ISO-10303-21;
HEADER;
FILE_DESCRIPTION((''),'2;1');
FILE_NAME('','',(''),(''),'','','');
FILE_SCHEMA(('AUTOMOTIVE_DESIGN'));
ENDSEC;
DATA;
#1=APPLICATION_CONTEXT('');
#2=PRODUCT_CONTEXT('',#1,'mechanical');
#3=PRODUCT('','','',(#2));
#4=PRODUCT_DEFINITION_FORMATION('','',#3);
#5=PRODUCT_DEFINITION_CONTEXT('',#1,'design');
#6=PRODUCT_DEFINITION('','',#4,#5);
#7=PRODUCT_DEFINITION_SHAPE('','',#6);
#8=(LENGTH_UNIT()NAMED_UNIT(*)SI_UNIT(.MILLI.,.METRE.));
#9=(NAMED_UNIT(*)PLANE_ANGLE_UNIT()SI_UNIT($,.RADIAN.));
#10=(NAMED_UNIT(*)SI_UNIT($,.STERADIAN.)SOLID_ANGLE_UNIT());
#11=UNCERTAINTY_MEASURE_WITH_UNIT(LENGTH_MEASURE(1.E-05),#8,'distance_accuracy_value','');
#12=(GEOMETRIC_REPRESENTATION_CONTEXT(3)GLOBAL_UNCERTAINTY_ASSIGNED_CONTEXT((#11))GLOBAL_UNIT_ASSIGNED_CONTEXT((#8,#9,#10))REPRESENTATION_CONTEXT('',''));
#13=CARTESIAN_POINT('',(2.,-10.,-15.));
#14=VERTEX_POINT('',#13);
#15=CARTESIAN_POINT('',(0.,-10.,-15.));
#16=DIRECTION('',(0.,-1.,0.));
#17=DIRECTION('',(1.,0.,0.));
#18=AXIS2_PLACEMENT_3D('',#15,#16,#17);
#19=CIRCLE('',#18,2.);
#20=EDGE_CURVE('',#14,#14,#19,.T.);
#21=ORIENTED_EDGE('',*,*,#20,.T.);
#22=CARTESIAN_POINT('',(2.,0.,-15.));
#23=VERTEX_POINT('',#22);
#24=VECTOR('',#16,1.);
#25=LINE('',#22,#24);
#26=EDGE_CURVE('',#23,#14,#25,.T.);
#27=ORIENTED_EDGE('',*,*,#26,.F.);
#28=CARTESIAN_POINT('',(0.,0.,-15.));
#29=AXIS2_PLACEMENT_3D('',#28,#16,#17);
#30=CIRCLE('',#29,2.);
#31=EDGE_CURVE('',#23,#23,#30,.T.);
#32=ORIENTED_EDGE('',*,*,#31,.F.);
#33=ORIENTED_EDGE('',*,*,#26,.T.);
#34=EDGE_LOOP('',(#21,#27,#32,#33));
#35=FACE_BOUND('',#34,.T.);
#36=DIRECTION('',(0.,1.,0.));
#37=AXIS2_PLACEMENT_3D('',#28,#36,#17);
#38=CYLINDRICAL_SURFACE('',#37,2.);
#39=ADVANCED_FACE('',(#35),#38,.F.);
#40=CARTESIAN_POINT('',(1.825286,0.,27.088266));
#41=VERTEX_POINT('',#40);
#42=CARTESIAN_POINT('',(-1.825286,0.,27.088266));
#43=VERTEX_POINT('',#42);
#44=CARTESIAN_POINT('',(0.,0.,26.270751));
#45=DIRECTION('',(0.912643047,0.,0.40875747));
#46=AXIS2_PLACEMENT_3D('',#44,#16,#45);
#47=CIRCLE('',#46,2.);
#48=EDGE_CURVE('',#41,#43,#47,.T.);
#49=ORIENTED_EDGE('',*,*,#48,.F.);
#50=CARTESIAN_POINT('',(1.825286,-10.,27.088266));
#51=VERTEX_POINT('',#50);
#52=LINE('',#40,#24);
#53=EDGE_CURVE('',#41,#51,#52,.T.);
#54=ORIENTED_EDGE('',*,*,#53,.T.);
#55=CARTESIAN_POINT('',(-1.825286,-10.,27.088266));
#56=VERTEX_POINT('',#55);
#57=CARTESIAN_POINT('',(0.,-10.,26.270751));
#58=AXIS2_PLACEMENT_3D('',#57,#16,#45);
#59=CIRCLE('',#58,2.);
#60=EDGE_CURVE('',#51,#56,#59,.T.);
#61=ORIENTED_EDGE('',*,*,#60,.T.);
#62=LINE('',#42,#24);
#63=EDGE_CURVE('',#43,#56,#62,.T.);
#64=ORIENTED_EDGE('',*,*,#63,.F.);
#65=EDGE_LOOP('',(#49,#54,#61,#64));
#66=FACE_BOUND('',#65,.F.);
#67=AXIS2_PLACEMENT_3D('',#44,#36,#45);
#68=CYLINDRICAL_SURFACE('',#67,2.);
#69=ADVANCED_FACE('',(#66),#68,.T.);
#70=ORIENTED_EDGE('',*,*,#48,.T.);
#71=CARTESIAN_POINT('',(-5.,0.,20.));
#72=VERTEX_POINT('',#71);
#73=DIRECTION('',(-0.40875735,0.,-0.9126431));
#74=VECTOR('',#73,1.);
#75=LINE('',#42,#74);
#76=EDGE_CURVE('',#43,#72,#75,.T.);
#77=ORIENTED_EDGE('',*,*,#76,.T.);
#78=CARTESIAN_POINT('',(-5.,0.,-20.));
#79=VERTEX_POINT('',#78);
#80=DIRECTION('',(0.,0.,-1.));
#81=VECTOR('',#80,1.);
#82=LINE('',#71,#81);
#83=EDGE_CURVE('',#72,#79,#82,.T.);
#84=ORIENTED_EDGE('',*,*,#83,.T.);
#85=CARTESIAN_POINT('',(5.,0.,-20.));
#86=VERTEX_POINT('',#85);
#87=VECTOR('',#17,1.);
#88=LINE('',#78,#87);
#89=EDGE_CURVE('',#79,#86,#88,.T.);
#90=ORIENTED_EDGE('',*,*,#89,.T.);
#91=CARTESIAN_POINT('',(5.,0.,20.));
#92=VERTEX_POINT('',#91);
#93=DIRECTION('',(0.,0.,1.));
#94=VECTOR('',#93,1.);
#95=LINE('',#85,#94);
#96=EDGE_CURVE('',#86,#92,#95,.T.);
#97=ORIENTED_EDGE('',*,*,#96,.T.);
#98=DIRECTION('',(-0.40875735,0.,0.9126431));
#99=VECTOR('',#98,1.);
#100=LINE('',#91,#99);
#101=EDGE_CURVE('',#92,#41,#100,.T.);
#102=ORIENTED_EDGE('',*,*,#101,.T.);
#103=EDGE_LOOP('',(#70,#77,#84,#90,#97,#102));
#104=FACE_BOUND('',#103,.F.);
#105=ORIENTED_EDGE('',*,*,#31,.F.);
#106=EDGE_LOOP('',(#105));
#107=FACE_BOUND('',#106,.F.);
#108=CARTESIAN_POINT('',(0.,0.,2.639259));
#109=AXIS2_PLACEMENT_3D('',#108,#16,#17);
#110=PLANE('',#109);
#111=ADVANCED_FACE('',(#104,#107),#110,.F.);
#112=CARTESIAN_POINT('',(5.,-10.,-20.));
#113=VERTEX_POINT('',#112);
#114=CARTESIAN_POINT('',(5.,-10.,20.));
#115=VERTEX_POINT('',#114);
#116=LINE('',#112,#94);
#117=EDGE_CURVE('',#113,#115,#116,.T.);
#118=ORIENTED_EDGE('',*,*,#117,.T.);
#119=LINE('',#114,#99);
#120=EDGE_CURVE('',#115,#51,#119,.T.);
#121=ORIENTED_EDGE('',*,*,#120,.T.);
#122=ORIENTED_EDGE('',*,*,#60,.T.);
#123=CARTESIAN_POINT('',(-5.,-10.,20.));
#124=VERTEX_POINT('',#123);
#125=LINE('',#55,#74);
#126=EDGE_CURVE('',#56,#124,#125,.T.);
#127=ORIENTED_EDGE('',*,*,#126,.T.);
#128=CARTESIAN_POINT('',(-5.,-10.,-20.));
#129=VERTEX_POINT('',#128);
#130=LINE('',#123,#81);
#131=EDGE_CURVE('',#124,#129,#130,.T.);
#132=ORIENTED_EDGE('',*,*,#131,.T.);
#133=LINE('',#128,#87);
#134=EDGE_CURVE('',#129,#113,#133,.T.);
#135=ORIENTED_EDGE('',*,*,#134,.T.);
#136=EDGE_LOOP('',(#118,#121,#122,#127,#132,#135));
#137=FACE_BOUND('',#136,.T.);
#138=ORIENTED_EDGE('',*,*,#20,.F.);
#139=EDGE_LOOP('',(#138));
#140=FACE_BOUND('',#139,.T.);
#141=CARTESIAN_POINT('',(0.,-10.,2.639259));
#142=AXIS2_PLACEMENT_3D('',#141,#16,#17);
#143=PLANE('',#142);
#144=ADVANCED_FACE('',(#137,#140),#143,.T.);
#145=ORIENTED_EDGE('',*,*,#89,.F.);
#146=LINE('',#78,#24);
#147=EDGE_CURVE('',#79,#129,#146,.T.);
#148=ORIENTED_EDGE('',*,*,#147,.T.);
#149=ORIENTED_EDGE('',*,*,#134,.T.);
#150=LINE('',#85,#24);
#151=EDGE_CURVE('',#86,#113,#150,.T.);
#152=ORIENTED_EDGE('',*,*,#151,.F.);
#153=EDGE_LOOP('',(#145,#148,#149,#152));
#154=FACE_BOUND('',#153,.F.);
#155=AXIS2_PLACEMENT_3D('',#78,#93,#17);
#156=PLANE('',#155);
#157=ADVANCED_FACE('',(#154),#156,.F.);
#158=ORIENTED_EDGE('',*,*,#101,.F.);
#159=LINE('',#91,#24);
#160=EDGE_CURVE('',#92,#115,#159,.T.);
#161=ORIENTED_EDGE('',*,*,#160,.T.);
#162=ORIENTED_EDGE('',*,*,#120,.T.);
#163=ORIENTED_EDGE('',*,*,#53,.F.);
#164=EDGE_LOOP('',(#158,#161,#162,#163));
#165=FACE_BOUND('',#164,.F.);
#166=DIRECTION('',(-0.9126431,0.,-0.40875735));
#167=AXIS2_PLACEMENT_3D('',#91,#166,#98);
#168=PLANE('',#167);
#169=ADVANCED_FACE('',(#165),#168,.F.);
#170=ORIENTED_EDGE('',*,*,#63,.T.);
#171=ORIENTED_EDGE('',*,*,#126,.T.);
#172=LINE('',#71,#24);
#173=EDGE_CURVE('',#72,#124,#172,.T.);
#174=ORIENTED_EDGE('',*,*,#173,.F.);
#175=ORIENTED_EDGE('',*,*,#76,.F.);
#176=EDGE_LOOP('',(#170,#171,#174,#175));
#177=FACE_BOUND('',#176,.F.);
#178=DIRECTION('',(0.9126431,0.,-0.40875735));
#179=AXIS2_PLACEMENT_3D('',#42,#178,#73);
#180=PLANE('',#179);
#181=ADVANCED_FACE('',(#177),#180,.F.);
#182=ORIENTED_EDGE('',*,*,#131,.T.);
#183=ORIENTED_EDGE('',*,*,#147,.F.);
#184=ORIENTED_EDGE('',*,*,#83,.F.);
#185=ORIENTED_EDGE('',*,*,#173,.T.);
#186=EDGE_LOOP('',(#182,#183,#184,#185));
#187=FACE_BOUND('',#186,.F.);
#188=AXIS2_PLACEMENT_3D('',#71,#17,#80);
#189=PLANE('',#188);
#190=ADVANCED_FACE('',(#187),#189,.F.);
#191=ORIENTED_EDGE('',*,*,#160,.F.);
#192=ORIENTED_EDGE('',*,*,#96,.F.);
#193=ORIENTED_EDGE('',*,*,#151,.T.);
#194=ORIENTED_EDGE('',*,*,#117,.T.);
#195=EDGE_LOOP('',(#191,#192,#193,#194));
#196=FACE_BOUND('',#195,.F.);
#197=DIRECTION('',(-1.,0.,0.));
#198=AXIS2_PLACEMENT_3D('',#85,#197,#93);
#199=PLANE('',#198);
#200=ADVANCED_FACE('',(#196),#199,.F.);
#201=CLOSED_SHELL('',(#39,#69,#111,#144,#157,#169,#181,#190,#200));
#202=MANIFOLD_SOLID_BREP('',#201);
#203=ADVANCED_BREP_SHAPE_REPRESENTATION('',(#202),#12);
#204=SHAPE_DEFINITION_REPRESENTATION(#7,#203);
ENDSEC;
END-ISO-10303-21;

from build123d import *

# Parameters (mm, degrees)
F0_R     = 2
F1_DEPTH = 10


with BuildPart() as f1:
    # F0 (on Front) → F1 (new body)
    with BuildSketch(Plane.XZ):
        with BuildLine():
            Line((-5, -20), (5, -20))
            Line((5, -20), (5, 20))
            Line((5, 20), (1.825286, 27.088266))
            ThreePointArc((1.825286, 27.088266), (0, 28.270751), (-1.825286, 27.088266))
            Line((-1.825286, 27.088266), (-5, 20))
            Line((-5, 20), (-5, -20))
        make_face()
        with Locations((0, -15)):
            Circle(F0_R, mode=Mode.SUBTRACT)
    extrude(amount=F1_DEPTH)


solid = f1.part
